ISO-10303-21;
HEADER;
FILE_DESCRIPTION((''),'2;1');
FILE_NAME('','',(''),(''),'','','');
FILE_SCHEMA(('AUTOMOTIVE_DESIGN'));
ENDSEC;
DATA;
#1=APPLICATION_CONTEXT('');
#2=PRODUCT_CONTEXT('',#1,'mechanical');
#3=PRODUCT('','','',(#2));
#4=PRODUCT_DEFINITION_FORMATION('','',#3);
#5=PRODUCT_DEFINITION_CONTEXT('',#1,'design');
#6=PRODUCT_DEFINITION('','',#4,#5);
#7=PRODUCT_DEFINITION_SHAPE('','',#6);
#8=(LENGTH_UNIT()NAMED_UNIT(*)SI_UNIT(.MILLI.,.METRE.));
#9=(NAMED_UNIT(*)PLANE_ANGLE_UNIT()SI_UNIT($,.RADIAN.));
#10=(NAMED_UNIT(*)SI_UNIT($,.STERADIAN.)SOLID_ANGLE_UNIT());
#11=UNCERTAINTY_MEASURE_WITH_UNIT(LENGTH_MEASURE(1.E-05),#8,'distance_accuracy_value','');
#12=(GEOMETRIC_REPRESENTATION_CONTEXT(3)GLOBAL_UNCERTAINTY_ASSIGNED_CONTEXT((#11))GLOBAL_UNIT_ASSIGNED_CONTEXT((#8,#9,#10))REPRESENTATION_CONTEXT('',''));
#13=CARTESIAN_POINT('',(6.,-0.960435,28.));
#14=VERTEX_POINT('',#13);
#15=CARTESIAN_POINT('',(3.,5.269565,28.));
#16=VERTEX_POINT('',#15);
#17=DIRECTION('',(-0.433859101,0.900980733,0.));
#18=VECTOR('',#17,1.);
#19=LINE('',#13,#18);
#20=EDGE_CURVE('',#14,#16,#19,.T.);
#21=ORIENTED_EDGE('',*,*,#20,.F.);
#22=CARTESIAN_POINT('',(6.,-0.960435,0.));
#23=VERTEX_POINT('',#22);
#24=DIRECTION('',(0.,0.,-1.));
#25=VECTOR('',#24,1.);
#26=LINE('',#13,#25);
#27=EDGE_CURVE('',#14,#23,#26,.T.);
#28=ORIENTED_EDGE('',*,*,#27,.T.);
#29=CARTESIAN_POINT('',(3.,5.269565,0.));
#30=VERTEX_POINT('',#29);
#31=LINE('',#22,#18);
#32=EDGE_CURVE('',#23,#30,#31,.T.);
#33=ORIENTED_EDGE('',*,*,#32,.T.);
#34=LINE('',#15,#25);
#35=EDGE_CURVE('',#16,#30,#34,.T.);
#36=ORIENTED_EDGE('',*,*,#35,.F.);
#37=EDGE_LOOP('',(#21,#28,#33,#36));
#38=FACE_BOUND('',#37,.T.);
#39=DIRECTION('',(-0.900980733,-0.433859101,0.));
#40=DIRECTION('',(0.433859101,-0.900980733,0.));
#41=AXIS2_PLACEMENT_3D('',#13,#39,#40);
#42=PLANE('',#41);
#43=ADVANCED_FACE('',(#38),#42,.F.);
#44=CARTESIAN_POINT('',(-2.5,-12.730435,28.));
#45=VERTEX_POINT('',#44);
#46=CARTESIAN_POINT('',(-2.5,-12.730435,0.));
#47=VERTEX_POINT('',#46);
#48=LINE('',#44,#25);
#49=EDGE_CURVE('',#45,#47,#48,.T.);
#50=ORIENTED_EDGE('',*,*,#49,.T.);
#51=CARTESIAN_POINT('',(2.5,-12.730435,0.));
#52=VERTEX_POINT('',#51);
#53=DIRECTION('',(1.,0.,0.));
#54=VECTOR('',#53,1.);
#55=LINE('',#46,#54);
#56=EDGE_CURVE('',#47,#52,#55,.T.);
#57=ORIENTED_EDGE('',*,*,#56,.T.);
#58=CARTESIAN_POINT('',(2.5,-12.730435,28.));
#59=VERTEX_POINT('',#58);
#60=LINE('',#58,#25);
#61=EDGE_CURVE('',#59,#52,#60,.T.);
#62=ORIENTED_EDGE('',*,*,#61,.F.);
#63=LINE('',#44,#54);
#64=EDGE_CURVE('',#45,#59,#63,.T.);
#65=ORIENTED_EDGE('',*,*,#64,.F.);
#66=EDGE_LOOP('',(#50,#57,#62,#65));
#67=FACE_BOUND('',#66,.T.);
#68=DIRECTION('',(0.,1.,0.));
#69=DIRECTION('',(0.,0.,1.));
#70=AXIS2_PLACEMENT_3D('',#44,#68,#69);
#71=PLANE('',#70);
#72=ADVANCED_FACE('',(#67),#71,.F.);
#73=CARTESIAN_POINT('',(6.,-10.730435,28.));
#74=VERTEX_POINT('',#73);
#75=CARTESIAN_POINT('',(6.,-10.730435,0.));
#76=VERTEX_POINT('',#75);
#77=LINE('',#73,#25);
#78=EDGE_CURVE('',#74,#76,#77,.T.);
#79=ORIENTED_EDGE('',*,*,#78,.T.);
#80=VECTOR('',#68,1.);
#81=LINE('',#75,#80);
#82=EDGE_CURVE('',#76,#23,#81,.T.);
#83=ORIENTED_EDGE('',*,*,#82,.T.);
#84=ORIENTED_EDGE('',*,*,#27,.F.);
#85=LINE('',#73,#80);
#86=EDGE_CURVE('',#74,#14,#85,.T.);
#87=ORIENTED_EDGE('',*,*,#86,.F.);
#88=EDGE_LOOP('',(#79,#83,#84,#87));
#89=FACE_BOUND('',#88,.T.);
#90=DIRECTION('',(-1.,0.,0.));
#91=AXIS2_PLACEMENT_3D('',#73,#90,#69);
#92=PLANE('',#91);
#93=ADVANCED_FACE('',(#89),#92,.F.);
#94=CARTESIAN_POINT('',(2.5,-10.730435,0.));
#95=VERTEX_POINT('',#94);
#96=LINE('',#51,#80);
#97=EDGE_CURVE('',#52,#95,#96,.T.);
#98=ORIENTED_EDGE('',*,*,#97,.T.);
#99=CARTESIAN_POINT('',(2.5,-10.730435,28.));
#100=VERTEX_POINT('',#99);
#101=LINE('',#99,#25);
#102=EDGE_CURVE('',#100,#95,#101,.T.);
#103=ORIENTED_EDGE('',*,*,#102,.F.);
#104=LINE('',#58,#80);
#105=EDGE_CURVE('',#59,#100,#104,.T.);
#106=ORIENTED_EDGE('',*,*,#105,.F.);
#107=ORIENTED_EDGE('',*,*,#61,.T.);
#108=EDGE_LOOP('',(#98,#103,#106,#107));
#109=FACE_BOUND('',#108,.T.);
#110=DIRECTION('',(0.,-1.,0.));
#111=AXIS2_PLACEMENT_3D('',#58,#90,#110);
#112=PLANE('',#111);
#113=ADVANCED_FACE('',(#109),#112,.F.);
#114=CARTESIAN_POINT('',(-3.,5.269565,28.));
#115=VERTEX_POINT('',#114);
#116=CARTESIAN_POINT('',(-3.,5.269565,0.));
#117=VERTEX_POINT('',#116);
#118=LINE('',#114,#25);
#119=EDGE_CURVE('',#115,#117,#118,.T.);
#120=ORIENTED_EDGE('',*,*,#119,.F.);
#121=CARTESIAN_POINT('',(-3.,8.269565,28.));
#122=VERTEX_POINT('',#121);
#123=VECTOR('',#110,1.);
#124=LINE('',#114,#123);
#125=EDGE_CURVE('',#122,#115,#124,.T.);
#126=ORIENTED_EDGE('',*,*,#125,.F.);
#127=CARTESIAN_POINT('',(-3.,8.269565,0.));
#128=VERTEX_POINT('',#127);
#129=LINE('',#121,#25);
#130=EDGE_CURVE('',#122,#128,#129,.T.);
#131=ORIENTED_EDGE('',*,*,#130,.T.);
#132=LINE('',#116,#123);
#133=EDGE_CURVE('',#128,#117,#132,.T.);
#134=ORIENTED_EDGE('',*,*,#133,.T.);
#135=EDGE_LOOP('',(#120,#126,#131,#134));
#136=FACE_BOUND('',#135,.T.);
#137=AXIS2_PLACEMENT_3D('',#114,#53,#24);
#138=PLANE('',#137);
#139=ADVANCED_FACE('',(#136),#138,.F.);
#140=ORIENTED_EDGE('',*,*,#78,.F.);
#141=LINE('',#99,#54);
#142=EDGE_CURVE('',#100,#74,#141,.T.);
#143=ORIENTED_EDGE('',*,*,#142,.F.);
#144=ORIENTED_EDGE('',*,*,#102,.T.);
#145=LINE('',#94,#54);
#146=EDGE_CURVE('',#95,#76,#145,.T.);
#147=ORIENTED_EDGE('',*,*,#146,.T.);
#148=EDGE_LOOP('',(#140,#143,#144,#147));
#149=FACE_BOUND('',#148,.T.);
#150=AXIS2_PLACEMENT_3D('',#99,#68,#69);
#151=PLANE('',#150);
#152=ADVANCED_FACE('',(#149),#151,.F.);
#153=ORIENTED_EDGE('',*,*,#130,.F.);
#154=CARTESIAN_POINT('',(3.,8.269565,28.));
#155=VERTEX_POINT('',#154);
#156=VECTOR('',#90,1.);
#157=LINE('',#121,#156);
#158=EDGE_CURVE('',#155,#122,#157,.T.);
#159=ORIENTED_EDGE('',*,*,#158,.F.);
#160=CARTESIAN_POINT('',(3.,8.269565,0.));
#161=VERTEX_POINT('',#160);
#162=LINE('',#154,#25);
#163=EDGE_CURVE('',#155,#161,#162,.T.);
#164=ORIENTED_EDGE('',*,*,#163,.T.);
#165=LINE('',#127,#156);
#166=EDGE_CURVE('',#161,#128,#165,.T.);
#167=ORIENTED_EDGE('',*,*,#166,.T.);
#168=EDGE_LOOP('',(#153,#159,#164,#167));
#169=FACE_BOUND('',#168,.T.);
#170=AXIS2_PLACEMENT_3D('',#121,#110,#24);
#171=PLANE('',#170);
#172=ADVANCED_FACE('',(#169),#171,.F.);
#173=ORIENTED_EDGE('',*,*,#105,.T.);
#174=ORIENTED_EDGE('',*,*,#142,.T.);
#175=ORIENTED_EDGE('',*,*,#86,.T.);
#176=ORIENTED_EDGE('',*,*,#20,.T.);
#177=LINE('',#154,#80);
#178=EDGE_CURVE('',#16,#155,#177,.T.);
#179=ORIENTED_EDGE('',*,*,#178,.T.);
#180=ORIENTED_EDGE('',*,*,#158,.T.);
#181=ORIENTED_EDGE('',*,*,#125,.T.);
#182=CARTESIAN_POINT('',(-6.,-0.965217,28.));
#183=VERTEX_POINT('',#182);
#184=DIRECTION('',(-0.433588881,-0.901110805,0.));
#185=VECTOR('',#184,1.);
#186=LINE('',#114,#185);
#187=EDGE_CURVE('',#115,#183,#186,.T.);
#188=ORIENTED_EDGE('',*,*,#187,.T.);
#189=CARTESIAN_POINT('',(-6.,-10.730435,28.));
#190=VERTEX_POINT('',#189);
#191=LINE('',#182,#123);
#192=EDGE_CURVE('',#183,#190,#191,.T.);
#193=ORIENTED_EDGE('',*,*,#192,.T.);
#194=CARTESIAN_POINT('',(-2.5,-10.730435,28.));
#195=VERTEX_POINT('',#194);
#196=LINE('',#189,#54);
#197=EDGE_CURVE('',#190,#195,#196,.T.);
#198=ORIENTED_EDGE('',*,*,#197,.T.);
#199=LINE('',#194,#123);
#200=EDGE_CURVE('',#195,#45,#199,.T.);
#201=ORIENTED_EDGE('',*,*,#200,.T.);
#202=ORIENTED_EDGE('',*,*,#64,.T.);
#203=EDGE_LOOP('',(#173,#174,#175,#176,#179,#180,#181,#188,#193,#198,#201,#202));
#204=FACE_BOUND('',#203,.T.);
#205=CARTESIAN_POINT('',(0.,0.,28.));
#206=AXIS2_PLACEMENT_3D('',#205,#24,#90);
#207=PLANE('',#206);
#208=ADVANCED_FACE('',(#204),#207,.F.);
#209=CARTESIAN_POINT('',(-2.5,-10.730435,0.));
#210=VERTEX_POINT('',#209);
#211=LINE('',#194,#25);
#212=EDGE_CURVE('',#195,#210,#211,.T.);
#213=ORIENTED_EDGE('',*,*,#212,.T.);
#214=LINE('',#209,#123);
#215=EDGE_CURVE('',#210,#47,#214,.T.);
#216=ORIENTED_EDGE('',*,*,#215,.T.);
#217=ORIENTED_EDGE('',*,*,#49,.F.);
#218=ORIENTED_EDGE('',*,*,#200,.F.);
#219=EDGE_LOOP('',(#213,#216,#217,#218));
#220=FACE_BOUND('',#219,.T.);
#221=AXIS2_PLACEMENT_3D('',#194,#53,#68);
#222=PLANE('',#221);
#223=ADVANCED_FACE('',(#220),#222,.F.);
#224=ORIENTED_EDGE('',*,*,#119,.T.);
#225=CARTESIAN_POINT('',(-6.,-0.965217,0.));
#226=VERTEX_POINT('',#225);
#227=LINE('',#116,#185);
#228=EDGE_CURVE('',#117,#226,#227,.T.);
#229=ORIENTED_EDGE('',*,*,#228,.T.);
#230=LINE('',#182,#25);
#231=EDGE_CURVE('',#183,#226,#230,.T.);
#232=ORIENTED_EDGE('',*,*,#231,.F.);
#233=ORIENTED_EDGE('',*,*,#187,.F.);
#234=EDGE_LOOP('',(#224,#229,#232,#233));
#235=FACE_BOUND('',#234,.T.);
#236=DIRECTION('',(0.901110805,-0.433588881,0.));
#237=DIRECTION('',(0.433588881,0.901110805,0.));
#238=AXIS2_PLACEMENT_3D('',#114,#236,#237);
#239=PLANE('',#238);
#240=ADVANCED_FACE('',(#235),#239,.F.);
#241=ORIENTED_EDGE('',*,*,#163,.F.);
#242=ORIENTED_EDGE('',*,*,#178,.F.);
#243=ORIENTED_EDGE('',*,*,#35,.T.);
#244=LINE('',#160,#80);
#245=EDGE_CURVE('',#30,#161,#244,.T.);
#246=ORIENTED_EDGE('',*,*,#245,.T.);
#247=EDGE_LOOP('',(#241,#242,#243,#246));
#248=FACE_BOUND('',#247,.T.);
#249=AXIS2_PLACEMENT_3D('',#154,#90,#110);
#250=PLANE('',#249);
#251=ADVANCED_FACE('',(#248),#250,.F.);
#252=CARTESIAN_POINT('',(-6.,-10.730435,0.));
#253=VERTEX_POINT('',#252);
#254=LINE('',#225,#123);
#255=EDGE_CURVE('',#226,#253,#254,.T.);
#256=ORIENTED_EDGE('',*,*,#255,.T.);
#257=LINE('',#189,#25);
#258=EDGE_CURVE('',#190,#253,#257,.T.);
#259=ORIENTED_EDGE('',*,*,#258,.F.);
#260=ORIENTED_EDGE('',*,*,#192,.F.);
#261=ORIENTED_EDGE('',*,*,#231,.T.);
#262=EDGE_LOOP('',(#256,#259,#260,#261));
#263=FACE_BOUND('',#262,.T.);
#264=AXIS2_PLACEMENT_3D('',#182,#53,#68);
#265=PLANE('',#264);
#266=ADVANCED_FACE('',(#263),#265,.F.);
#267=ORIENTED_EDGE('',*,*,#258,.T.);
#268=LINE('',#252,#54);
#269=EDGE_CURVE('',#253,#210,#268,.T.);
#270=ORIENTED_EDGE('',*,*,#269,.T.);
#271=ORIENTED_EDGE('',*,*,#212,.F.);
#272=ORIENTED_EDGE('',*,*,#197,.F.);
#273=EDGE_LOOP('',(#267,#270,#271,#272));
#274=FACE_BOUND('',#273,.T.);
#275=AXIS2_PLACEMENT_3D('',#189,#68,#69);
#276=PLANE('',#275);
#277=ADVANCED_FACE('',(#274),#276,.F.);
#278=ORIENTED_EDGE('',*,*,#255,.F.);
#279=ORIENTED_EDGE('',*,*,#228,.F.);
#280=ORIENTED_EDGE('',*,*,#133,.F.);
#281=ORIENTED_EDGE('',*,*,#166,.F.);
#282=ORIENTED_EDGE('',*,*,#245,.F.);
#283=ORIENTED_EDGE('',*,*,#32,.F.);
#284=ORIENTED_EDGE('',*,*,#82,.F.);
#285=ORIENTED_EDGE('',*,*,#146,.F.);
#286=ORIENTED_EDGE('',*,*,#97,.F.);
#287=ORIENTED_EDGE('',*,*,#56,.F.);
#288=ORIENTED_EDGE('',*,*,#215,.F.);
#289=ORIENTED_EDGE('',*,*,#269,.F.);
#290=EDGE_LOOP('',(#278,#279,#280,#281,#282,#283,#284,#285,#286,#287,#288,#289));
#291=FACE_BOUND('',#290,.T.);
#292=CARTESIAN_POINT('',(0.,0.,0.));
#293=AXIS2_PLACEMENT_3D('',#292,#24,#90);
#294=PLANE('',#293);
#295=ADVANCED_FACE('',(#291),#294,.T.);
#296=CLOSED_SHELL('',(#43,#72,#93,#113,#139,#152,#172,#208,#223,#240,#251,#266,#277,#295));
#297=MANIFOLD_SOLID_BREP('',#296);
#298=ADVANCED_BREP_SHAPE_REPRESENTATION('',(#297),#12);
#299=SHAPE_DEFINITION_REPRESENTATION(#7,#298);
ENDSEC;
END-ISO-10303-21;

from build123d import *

# Parameters (mm, degrees)
BOSS_EXTRUDE1_DEPTH = 28


with BuildPart() as part:
    # Sketch1 → Boss-Extrude1 (new body)
    with BuildSketch(Plane.XY):
        Polygon((-3, 8.269565217), (3, 8.269565217), (3, 5.269565217), (6, -0.960434783), (6, -10.730434783), (2.5, -10.730434783), (2.5, -12.730434783), (-2.5, -12.730434783), (-2.5, -10.730434783), (-6, -10.730434783), (-6, -0.965217391), (-3, 5.269565217), align=None)
    extrude(amount=BOSS_EXTRUDE1_DEPTH)


solid = part.part
